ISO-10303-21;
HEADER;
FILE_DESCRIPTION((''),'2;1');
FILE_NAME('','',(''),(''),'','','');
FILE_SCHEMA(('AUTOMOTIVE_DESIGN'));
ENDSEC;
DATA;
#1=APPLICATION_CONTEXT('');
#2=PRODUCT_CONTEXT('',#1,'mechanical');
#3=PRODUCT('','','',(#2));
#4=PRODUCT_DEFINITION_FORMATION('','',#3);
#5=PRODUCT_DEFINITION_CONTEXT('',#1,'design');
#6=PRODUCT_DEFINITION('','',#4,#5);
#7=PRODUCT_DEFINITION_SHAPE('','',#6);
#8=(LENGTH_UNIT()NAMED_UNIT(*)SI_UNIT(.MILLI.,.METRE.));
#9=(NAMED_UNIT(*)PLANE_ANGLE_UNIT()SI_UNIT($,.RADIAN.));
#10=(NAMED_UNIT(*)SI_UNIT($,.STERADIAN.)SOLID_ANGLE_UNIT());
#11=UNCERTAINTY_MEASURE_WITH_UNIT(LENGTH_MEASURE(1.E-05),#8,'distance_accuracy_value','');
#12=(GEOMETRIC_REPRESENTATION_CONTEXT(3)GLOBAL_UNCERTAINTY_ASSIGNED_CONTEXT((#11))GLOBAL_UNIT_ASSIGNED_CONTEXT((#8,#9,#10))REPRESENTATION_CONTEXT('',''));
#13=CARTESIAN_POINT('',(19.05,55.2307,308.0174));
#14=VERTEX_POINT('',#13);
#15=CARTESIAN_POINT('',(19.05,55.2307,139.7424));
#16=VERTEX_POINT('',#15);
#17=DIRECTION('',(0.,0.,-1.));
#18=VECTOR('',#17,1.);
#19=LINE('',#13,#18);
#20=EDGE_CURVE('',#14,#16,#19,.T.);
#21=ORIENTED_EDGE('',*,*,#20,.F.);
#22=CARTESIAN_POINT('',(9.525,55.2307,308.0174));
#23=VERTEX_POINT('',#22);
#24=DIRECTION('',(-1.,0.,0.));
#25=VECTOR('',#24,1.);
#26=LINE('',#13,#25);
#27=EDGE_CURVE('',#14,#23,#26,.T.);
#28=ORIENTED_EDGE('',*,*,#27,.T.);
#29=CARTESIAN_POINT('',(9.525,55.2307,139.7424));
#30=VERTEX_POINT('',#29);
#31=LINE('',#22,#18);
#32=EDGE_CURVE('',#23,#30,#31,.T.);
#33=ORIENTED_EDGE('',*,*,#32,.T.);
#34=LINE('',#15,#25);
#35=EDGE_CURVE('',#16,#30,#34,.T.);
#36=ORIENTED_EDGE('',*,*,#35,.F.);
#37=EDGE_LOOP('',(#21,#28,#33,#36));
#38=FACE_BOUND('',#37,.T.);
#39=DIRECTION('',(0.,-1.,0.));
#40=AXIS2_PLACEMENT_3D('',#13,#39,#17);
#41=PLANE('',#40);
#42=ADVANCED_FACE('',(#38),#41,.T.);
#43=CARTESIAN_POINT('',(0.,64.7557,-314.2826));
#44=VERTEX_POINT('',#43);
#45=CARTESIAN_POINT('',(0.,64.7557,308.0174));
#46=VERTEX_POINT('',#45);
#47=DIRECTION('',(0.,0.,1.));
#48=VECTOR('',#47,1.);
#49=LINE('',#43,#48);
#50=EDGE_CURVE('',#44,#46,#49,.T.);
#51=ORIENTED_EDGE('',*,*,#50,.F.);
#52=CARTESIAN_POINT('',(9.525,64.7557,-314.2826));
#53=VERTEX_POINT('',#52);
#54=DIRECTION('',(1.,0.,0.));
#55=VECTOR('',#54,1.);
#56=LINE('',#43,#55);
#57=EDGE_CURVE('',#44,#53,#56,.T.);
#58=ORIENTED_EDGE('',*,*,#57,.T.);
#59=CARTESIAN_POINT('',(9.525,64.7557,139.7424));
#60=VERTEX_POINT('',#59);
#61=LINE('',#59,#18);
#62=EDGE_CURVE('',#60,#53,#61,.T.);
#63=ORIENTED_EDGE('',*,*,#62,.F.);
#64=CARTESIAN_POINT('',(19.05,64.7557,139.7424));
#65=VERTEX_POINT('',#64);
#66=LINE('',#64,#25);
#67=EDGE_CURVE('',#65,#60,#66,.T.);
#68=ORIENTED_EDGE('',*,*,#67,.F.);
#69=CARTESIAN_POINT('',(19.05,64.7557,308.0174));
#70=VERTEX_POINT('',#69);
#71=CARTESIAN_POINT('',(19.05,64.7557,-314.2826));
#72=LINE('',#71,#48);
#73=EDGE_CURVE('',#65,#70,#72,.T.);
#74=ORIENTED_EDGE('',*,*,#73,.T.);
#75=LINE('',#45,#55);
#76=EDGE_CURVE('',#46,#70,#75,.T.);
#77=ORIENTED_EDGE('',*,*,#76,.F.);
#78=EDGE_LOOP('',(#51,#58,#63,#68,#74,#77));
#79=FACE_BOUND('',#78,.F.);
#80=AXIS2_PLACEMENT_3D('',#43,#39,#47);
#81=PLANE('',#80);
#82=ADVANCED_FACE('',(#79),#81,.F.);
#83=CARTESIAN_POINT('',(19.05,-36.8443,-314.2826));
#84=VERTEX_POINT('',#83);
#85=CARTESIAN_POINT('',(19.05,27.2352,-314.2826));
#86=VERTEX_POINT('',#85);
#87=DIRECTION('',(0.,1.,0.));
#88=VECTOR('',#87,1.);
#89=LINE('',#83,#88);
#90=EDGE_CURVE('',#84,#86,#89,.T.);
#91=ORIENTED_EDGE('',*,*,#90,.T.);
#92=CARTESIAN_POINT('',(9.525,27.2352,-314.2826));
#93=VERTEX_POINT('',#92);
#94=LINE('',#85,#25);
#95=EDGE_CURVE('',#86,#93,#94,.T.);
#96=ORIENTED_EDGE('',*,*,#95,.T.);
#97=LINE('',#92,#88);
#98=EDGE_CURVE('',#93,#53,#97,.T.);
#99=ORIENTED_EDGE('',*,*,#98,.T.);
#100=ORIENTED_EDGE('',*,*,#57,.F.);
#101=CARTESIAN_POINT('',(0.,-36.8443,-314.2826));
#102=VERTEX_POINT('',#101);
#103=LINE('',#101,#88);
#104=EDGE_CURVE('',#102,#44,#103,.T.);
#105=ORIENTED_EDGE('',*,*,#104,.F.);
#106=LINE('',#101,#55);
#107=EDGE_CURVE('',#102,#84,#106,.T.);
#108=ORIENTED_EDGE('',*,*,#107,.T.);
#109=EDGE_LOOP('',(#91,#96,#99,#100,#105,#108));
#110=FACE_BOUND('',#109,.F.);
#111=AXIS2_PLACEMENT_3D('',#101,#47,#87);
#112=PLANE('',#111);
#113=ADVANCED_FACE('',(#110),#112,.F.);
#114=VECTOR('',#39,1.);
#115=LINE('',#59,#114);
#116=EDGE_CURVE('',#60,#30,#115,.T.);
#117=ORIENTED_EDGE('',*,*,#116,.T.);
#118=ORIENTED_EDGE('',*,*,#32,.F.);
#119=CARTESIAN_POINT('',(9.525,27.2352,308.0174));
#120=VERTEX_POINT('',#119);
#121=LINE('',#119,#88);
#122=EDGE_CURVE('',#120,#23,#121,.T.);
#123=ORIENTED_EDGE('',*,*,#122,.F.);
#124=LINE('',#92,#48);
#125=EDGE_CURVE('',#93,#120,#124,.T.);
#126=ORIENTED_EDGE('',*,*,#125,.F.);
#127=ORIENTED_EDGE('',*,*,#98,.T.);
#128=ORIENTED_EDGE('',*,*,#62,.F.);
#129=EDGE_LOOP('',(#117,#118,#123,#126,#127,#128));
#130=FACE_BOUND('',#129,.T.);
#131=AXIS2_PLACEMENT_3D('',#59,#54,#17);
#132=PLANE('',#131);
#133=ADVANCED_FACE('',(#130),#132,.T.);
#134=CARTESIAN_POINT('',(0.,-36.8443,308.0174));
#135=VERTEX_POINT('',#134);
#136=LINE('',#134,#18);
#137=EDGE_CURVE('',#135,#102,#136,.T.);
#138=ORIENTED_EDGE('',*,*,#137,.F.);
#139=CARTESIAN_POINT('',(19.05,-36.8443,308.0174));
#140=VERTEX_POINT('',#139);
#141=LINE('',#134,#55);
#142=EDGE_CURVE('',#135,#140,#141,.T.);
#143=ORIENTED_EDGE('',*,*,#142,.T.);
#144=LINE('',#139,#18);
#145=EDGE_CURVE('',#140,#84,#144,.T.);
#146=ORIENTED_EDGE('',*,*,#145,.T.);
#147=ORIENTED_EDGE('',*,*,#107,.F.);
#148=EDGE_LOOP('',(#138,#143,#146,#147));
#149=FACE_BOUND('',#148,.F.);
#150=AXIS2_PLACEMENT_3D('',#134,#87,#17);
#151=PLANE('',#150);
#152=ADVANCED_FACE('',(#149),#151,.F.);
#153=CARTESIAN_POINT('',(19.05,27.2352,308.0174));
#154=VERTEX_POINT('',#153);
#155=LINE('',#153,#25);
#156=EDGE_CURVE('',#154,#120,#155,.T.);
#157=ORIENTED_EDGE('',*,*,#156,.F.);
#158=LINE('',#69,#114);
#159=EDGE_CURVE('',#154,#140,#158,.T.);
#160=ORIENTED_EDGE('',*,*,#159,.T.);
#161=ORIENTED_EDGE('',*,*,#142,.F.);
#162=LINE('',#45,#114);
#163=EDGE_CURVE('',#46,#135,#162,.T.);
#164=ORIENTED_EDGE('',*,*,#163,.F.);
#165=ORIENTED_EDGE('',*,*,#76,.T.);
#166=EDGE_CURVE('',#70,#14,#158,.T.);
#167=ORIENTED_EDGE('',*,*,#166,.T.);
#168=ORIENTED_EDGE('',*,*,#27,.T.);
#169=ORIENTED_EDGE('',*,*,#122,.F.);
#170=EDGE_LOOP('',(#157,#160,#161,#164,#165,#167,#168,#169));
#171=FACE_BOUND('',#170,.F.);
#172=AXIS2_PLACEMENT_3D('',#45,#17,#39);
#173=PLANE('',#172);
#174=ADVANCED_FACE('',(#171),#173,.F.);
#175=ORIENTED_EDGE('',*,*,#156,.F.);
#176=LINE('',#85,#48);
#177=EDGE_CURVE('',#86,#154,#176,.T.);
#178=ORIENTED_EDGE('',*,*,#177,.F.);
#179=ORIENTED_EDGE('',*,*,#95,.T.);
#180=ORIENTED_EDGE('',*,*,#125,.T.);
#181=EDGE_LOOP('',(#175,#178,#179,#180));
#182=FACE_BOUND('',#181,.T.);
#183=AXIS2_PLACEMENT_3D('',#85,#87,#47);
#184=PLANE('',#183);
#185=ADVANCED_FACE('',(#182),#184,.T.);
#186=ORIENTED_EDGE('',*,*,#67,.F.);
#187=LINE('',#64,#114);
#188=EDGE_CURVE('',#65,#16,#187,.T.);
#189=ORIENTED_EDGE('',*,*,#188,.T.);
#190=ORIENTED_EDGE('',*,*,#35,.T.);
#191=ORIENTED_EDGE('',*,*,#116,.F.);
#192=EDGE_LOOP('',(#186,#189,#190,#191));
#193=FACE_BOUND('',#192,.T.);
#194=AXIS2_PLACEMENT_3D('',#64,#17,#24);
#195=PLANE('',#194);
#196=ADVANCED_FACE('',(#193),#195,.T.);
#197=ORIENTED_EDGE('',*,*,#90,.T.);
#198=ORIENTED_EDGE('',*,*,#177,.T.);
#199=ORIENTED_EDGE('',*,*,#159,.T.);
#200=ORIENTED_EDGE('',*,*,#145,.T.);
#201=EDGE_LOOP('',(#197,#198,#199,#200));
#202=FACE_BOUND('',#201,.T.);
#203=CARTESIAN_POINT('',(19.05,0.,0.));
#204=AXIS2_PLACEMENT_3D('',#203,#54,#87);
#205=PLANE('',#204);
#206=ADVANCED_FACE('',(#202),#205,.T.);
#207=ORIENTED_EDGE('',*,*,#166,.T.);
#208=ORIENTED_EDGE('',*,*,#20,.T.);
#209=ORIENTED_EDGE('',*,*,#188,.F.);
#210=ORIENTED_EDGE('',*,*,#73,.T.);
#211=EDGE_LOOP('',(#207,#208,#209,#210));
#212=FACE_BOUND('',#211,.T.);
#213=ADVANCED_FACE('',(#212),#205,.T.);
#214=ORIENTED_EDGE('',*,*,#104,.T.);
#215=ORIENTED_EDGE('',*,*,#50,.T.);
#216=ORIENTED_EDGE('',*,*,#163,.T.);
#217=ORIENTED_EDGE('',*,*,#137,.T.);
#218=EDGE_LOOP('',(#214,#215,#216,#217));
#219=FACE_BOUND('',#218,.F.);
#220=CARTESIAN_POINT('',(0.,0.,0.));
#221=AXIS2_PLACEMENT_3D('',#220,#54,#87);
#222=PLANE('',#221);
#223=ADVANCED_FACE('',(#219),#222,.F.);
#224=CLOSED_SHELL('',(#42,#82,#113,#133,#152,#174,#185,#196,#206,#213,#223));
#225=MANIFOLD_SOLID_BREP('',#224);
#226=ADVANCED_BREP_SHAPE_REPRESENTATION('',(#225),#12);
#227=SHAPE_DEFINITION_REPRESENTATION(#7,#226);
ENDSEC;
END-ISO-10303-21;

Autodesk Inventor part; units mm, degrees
ref_plane "YZ Plane" through (0, 0, 0) normal (1, 0, 0) x (0, 1, 0)
ref_plane "XZ Plane" through (0, 0, 0) normal (0, 1, 0) x (-1, 0, 0)
ref_plane "XY Plane" through (0, 0, 0) normal (0, 0, 1) x (1, 0, 0)
sketch "Sketch1" plane through (0, 0, 0) normal (1, 0, 0) x (0, 1, 0)
  line L0 (64.7557, 308.0174) -> (-36.8443, 308.0174)
  line L1 (-36.8443, 308.0174) -> (-36.8443, -314.2826)
  line L2 (-36.8443, -314.2826) -> (64.7557, -314.2826)
  line L3 (64.7557, -314.2826) -> (64.7557, 308.0174)
  dimension "d2" = 622.3
  dimension "d3" = 101.6
extrude "Board" add sketch "Sketch1" along normal blind 19.05
sketch "Sketch8" plane through (19.05, 0, 0) normal (1, 0, 0) x (0, 0, -1)
  line L0 (-308.0174, 55.2307) -> (314.2826, 55.2307)
  line L1 (314.2826, 55.2307) -> (314.2826, 45.7057)
  line L2 (314.2826, 45.7057) -> (-308.0174, 45.7057)
  line L3 (-308.0174, 45.7057) -> (-308.0174, 55.2307)
  line L4 (-308.0174, 64.7557) -> (-308.0174, -36.8443) projected
  line L5 (314.2826, -36.8443) -> (314.2826, 64.7557) projected
  line L6 (314.2826, 64.7557) -> (-308.0174, 64.7557) projected
  point P0 (0, 0)
  dimension "d22" = 9.525
  dimension "d23" = 9.525
extrude "Lenghtwise Dado for Base" cut sketch "Sketch8" against normal blind 9.525 contours L0 L1 L2 L3
sketch "Sketch 9" plane through (0, 64.7557, 308.0174) normal (0, 1, 0) x (1, 0, 0)
  line L0 (19.05, 168.275) -> (9.525, 168.275)
  line L1 (9.525, 168.275) -> (9.525, 622.3)
  line L2 (9.525, 622.3) -> (19.05, 622.3)
  line L3 (19.05, 622.3) -> (19.05, 168.275)
  line L4 (19.05, 622.3) -> (19.05, 0) projected
  line L5 (0, 622.3) -> (19.05, 622.3) projected
  point P0 (0, 308.0174)
  dimension "d26" = 454.025
  dimension "d27" = 9.525
extrude "Lengthwise stop dado for Sides" cut sketch "Sketch 9" against normal blind 9.525
sketch "Sketch12" plane through (19.05, 0, 0) normal (1, 0, 0) x (0, 0, -1)
  line L0 (-308.0174, 64.7557) -> (-308.0174, -36.8443) projected
  line L1 (314.2826, -36.8443) -> (314.2826, 45.7057) projected
  line L2 (-308.0174, 46.2852) -> (314.2826, 46.2852)
  line L3 (314.2826, 46.2852) -> (314.2826, 27.2352)
  line L4 (314.2826, 27.2352) -> (-308.0174, 27.2352)
  line L5 (-308.0174, 27.2352) -> (-308.0174, 46.2852)
  dimension "d39" = 19.05
extrude "Extrusion10" cut sketch "Sketch12" against normal blind 9.525
properties part number "Base Runner Side"
